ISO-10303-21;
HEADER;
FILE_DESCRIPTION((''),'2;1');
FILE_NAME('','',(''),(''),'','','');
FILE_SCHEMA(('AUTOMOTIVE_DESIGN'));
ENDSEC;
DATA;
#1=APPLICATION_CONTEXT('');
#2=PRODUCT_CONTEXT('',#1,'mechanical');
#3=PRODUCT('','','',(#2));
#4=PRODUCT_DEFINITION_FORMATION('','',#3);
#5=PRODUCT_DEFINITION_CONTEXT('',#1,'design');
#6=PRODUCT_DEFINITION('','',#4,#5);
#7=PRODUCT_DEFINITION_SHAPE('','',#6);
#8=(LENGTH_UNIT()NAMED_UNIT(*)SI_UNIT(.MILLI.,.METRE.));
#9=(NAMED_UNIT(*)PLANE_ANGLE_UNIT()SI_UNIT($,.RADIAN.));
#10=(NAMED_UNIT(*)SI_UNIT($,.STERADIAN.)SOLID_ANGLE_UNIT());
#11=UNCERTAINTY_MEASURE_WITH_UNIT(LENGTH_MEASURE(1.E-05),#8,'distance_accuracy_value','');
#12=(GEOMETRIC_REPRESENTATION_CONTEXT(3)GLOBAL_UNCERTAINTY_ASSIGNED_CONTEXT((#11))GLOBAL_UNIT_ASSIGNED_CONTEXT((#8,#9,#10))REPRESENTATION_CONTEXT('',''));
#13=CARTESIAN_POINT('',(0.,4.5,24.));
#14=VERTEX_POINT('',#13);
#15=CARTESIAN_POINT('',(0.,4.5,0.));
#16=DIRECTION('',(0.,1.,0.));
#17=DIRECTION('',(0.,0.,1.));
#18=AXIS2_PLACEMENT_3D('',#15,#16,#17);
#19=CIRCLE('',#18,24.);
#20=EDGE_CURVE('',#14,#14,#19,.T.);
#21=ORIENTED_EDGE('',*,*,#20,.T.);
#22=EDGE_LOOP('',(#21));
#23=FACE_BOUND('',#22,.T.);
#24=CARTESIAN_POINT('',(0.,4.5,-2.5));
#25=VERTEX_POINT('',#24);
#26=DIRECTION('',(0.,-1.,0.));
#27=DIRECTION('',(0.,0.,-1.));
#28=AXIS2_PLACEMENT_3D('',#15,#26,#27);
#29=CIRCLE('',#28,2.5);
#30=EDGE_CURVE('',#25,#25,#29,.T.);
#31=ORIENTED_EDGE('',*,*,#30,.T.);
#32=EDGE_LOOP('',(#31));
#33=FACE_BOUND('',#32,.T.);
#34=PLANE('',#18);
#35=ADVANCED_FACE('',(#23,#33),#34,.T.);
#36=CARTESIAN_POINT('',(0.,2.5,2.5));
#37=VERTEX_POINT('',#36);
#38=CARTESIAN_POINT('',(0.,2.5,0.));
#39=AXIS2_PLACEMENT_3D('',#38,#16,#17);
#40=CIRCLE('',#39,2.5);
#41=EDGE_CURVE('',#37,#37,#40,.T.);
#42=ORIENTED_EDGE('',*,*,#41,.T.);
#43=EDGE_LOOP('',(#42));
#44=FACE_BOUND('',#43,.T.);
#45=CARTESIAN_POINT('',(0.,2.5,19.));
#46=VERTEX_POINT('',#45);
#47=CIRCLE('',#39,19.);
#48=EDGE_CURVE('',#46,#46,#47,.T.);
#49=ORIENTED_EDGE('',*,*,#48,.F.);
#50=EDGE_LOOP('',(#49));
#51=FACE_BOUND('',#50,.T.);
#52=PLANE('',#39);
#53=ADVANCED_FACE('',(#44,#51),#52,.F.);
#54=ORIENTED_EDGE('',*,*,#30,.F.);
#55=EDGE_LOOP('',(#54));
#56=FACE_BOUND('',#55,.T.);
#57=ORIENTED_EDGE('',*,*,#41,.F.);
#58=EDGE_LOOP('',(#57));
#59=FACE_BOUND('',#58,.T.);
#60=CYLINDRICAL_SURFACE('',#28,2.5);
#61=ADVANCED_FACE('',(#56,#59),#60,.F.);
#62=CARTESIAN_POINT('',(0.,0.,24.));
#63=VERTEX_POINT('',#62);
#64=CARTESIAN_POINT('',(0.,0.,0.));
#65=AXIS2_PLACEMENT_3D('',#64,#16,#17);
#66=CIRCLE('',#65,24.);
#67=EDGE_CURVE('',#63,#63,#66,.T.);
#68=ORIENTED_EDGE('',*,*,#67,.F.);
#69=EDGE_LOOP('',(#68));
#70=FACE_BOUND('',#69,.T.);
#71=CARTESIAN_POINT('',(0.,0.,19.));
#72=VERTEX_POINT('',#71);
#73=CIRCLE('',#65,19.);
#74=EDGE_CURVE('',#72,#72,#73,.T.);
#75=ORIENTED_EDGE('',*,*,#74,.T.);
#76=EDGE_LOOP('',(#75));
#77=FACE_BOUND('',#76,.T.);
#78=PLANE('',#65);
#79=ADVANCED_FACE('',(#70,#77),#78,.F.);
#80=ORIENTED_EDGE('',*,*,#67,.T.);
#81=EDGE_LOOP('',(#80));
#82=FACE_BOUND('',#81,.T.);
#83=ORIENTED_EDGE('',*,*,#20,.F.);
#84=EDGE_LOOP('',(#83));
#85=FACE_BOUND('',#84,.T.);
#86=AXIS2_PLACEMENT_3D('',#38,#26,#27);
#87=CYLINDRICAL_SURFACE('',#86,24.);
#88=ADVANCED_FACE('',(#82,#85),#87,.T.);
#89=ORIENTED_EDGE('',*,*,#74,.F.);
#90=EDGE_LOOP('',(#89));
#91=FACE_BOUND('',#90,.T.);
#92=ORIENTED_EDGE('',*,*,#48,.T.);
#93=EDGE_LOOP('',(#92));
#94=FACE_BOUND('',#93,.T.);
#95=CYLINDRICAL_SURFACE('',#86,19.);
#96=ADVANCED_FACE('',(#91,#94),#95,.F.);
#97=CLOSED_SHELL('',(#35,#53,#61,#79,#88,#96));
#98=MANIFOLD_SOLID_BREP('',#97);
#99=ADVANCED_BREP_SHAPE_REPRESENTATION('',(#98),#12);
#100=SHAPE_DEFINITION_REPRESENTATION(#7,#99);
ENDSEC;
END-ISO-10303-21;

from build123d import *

# Parameters (mm, degrees)
SKETCH1_R           = 24
SKETCH1_R_2         = 19
BOSS_EXTRUDE1_DEPTH = 2.5
SKETCH2_R           = 24
BOSS_EXTRUDE2_DEPTH = 2
SKETCH3_R           = 2.5
CUT_EXTRUDE1_DEPTH  = 35.238136632


with BuildPart() as part:
    # Sketch1 → Boss-Extrude1 (new body)
    with BuildSketch(Plane(origin=(0, 0, 0), x_dir=(1, 0, 0), z_dir=(0, 1, 0))):
        with Locations(Location((0, 0, 0), (0, 0, 270))):
            Circle(SKETCH1_R)
        with Locations(Location((0, 0, 0), (0, 0, 270))):
            Circle(SKETCH1_R_2, mode=Mode.SUBTRACT)
    extrude(amount=BOSS_EXTRUDE1_DEPTH)

    # Sketch2 → Boss-Extrude2 (add)
    with BuildSketch(Plane(origin=(0, 2.5, 0), x_dir=(1, 0, 0), z_dir=(0, 1, 0))):
        with Locations(Location((0, 0, 0), (0, 0, 270))):
            Circle(SKETCH2_R)
    extrude(amount=BOSS_EXTRUDE2_DEPTH)

    # Sketch3 → Cut-Extrude1 (cut, through all)
    with BuildSketch(Plane.XZ):
        with Locations(Location((0, 0, 0), (0, 0, 270))):
            Circle(SKETCH3_R)
    extrude(amount=-CUT_EXTRUDE1_DEPTH, mode=Mode.SUBTRACT)


solid = part.part
